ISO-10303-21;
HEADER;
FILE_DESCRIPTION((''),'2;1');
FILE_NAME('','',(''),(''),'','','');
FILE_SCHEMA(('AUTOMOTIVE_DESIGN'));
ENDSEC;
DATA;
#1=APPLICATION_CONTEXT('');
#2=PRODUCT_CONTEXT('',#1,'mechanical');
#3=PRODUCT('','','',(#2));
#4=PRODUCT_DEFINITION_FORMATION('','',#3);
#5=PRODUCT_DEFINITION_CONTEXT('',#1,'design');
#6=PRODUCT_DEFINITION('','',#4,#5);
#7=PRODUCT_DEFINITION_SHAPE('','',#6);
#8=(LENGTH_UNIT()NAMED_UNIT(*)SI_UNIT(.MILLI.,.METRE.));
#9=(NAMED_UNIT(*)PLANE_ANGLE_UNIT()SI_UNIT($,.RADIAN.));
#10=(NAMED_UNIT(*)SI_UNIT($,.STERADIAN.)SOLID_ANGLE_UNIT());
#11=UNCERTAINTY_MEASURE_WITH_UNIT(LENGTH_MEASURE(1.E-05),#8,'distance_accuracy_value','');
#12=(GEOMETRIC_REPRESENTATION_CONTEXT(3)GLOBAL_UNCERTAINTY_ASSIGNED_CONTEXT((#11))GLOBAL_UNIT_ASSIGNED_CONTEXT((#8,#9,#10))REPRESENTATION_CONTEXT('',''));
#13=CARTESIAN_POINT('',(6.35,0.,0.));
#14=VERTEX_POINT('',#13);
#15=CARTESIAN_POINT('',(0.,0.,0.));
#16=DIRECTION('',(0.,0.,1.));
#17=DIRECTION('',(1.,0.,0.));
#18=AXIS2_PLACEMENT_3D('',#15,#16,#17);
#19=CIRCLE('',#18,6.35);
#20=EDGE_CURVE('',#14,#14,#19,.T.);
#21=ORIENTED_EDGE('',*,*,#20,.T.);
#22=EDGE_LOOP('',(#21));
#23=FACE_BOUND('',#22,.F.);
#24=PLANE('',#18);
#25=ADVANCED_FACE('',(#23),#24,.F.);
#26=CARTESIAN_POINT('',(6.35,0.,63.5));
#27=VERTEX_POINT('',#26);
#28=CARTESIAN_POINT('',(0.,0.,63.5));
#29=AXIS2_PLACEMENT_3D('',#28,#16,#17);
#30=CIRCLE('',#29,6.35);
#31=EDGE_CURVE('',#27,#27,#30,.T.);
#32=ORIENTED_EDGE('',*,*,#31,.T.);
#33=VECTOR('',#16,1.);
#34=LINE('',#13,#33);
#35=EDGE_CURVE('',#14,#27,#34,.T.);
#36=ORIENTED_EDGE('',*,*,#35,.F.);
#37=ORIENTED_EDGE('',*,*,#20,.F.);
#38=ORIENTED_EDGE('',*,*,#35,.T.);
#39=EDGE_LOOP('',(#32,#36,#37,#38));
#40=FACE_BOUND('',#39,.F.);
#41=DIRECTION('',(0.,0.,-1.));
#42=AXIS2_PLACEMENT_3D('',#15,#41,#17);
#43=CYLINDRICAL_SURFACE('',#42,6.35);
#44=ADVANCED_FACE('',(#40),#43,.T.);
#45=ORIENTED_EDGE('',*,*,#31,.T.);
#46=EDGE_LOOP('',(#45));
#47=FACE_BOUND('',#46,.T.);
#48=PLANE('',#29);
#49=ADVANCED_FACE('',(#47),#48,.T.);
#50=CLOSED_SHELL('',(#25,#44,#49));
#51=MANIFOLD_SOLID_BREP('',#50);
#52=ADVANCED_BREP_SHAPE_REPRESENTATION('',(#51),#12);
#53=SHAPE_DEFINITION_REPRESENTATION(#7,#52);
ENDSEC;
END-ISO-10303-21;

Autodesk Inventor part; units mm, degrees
ref_plane "YZ Plane" through (0, 0, 0) normal (1, 0, 0) x (0, 1, 0)
ref_plane "XZ Plane" through (0, 0, 0) normal (0, 1, 0) x (-1, 0, 0)
ref_plane "XY Plane" through (0, 0, 0) normal (0, 0, 1) x (1, 0, 0)
sketch "Sketch1" plane through (0, 0, 0) normal (0, 0, 1) x (1, 0, 0)
  circle A0 centre (0, 0) radius 6.35
  dimension "d0" = 12.7
extrude "Extrusion1" add sketch "Sketch1" along normal blind 63.5
properties part number "Standoff" material "Aluminum 6061"
